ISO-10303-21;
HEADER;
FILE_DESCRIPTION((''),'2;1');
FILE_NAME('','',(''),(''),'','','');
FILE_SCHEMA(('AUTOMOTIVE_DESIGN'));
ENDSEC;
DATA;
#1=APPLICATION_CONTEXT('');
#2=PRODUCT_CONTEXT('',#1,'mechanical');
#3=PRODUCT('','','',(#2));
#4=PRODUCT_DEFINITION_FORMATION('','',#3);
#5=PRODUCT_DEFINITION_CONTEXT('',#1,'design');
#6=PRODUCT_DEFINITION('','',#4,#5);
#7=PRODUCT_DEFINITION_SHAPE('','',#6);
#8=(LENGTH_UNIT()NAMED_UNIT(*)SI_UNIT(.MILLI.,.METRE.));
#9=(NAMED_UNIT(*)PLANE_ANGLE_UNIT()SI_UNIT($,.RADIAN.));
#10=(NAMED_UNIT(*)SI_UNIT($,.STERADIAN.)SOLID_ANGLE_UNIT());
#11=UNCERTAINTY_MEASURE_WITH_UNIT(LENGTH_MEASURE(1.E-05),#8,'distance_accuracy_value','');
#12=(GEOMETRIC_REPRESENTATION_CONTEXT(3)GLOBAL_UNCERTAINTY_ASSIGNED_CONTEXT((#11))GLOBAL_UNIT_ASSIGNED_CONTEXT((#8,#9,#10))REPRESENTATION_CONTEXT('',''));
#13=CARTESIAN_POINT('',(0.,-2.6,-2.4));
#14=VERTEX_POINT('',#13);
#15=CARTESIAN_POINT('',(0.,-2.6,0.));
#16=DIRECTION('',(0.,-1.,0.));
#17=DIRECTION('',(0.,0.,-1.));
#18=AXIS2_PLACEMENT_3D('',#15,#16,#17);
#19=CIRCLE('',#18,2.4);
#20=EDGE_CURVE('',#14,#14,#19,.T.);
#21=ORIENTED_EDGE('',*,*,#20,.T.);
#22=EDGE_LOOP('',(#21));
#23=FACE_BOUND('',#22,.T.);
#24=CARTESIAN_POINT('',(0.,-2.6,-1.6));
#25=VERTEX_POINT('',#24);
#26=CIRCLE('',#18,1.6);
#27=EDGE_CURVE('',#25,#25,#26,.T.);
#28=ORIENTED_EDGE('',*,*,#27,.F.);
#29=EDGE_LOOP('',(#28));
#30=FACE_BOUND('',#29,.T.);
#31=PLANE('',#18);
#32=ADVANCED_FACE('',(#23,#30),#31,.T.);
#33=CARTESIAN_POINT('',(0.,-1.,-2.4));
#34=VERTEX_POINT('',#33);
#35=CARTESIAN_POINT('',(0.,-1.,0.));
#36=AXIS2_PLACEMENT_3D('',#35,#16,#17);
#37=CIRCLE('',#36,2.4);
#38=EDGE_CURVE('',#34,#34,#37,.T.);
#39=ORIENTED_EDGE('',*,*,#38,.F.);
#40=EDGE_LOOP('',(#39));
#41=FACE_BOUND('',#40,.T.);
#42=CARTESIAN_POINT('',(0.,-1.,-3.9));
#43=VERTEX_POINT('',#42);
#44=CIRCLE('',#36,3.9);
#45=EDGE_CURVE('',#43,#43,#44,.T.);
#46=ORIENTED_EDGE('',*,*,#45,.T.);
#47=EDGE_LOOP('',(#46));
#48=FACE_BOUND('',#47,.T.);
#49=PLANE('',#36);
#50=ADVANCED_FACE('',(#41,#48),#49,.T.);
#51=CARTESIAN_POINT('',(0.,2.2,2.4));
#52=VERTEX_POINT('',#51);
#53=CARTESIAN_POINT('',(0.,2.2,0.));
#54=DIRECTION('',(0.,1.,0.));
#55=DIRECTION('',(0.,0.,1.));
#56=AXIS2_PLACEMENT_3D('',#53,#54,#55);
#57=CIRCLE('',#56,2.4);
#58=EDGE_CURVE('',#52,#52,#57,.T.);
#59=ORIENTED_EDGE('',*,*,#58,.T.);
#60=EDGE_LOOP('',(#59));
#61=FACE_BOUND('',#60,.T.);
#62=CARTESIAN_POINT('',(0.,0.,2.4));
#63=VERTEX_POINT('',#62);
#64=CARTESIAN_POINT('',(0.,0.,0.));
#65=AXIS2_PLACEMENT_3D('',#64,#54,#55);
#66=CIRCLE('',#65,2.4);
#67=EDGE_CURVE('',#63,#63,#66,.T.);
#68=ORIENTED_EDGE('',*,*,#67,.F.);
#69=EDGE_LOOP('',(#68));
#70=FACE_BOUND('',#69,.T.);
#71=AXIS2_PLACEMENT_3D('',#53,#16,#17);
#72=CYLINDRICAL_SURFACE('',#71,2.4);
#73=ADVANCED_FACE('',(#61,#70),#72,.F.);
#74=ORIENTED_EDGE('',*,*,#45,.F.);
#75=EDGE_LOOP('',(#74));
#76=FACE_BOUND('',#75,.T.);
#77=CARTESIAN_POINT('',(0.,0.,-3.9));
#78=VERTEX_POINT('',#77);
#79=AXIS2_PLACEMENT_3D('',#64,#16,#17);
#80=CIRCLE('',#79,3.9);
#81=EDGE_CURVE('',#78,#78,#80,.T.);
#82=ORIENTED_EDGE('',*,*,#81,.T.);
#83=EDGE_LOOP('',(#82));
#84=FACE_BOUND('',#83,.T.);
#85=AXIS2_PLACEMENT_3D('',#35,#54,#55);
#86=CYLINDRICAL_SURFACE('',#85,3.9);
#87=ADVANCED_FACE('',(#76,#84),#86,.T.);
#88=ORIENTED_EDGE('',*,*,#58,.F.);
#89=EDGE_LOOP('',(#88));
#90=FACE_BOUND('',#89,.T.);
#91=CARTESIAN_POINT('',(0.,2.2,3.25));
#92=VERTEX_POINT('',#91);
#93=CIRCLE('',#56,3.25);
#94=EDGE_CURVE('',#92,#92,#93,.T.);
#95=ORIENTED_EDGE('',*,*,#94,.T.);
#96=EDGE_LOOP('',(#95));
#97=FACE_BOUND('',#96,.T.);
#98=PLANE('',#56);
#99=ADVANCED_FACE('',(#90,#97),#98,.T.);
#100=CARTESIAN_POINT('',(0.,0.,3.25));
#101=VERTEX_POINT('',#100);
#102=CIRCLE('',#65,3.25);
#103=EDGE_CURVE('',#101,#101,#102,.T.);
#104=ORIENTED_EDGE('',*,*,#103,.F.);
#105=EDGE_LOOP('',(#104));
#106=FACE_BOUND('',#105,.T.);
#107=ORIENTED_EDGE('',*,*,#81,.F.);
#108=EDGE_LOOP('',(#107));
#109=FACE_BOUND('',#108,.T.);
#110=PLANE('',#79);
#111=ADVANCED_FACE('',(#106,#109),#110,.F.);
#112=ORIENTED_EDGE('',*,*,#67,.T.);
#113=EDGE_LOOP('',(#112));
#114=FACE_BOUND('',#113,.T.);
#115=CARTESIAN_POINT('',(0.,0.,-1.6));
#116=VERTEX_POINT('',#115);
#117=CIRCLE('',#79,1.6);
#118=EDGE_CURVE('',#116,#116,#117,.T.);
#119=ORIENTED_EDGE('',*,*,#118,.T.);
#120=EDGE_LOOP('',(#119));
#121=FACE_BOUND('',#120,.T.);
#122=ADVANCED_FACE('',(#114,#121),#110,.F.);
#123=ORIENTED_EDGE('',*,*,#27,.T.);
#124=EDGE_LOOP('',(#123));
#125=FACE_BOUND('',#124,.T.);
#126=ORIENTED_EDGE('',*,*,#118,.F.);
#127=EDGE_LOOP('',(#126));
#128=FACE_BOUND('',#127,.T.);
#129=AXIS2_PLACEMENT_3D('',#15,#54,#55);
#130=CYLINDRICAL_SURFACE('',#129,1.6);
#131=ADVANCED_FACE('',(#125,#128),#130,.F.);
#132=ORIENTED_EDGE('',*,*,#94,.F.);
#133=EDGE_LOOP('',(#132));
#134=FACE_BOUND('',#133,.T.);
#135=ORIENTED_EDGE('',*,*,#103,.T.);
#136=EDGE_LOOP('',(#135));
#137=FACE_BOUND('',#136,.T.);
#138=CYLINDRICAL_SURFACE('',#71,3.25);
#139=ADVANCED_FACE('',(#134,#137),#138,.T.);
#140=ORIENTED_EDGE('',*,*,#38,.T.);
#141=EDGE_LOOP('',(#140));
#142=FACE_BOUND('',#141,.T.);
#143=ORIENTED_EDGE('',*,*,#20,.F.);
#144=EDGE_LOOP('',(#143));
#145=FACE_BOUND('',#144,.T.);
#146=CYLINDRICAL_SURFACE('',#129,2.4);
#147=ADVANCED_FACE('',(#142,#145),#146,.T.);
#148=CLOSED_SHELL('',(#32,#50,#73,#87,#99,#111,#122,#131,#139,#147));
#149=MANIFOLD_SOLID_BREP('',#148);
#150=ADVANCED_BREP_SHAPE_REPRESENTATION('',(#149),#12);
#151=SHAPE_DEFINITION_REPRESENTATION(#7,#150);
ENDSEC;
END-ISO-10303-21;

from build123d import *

# Parameters (mm, degrees)
SKETCH1_R           = 3.25
SKETCH1_R_2         = 2.4
BOSS_EXTRUDE1_DEPTH = 2.2
SKETCH2_R           = 3.9
BOSS_EXTRUDE2_DEPTH = 1
BOSS_EXTRUDE3_START = 1.6
SKETCH3_R           = 2.4
SKETCH3_R_2         = 1.6
BOSS_EXTRUDE3_DEPTH = 1.6
SKETCH4_R           = 1.6
CUT_EXTRUDE1_DEPTH  = 7.376519427


with BuildPart() as part:
    # Sketch1 → Boss-Extrude1 (new body)
    with BuildSketch(Plane(origin=(0, 0, 0), x_dir=(1, 0, 0), z_dir=(0, 1, 0))):
        with Locations(Location((0, 0, 0), (0, 0, 270))):
            Circle(SKETCH1_R)
        with Locations(Location((0, 0, 0), (0, 0, 270))):
            Circle(SKETCH1_R_2, mode=Mode.SUBTRACT)
    extrude(amount=BOSS_EXTRUDE1_DEPTH)

    # Sketch2 → Boss-Extrude2 (add)
    with BuildSketch(Plane.XZ):
        with Locations(Location((0, 0, 0), (0, 0, 270))):
            Circle(SKETCH2_R)
    extrude(amount=BOSS_EXTRUDE2_DEPTH)

    # Sketch3 → Boss-Extrude3 (add)
    with BuildSketch(Plane.XZ.offset(1).offset(BOSS_EXTRUDE3_START)):
        with Locations(Location((0, 0, 0), (0, 0, 90))):
            Circle(SKETCH3_R)
        with Locations(Location((0, 0, 0), (0, 0, 270))):
            Circle(SKETCH3_R_2, mode=Mode.SUBTRACT)
    extrude(amount=-BOSS_EXTRUDE3_DEPTH)

    # Sketch4 → Cut-Extrude1 (cut, through all)
    with BuildSketch(Plane.XZ.offset(1)):
        with Locations(Location((0, 0, 0), (0, 0, 270))):
            Circle(SKETCH4_R)
    extrude(amount=-CUT_EXTRUDE1_DEPTH, mode=Mode.SUBTRACT)


solid = part.part
